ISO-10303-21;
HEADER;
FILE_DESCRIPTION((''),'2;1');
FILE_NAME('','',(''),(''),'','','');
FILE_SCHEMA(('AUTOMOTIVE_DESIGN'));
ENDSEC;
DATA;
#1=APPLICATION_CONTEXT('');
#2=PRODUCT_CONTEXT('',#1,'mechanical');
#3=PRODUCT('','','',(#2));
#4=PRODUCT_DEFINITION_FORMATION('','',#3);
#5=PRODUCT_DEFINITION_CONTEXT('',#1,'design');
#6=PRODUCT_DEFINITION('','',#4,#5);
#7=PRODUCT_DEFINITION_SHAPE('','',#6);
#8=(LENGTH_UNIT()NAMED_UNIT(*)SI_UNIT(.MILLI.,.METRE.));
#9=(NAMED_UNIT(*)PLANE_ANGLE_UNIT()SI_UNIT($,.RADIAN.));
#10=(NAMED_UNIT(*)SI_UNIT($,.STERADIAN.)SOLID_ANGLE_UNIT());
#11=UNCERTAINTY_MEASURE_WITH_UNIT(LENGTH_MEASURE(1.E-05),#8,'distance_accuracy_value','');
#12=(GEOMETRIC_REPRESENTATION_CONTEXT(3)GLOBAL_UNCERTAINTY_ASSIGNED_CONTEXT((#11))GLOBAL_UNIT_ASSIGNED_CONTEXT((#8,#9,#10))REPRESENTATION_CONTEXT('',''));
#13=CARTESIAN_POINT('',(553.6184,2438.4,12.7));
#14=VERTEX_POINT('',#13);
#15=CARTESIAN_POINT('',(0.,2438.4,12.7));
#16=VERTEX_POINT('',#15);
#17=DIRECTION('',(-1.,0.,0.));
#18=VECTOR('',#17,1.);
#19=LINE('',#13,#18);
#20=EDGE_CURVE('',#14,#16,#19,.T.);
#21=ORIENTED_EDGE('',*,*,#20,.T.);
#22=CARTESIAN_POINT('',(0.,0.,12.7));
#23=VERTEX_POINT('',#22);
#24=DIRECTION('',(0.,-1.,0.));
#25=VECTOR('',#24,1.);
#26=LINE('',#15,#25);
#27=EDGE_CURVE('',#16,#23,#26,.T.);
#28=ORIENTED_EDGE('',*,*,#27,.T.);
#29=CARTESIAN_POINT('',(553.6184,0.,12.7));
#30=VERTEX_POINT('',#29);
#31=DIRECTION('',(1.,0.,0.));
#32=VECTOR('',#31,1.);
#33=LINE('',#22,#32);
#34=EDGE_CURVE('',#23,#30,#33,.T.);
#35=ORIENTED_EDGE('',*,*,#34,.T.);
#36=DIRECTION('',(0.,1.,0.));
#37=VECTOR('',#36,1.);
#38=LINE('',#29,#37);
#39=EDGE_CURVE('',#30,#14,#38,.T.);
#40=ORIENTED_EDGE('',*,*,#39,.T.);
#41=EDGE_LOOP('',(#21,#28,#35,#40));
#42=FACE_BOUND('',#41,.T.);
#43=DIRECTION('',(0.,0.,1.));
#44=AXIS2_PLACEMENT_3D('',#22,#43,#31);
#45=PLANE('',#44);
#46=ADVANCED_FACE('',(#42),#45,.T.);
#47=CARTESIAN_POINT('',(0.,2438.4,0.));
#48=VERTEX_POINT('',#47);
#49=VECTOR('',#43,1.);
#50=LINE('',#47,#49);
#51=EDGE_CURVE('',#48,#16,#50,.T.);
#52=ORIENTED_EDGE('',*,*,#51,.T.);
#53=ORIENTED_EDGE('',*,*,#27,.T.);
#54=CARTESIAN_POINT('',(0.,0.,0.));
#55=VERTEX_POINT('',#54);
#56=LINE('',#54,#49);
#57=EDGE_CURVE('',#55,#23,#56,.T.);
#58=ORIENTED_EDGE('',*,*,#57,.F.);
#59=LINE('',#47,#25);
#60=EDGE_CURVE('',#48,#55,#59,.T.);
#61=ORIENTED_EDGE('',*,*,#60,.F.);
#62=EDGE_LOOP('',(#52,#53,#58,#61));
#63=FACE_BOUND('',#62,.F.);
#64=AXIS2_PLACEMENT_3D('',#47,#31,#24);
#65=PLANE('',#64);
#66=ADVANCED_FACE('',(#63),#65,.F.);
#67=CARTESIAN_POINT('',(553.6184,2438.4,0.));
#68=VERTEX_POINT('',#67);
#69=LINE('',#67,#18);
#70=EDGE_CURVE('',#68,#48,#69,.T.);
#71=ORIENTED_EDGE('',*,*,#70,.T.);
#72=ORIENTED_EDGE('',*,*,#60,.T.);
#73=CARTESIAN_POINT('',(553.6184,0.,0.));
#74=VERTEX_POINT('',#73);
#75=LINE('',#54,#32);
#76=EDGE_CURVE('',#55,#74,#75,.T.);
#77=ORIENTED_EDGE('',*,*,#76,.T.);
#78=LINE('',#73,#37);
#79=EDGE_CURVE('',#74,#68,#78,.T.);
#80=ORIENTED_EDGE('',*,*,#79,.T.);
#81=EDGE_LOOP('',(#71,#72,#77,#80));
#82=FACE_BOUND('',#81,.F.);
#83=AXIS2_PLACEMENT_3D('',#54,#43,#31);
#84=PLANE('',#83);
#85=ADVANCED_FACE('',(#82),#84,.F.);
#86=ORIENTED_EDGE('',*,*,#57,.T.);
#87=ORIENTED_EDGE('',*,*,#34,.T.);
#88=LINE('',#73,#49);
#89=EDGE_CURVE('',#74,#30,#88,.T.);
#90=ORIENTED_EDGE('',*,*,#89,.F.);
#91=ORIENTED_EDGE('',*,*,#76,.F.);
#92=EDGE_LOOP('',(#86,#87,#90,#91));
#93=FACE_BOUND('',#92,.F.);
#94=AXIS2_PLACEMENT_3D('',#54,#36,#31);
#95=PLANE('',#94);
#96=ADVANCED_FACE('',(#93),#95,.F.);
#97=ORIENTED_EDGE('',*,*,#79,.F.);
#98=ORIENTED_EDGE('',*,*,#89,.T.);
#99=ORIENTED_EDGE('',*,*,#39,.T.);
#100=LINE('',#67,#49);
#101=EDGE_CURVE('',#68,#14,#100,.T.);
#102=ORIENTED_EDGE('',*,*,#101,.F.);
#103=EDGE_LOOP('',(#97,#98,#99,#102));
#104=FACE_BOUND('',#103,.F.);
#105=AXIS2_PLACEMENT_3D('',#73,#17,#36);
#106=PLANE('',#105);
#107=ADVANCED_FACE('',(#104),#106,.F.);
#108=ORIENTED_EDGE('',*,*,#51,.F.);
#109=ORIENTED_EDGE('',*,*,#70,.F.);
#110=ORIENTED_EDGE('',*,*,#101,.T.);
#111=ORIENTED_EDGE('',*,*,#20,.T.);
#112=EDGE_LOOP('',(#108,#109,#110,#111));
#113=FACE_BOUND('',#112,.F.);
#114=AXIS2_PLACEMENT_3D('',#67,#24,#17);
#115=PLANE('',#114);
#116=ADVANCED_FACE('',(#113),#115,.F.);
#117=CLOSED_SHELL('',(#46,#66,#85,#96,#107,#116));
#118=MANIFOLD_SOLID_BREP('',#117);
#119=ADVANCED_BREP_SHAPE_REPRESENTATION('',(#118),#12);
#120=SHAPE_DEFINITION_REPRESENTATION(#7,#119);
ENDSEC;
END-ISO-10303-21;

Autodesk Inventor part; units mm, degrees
ref_plane "YZ Plane" through (0, 0, 0) normal (1, 0, 0) x (0, 1, 0)
ref_plane "XZ Plane" through (0, 0, 0) normal (0, 1, 0) x (-1, 0, 0)
ref_plane "XY Plane" through (0, 0, 0) normal (0, 0, 1) x (1, 0, 0)
sketch "Sketch1" plane through (0, 0, 0) normal (0, 0, 1) x (1, 0, 0)
  line L0 (0, 0) -> (553.6184, 0)
  line L1 (553.6184, 0) -> (553.6184, 2438.4)
  line L2 (553.6184, 2438.4) -> (0, 2438.4)
  line L3 (0, 2438.4) -> (0, 0)
  dimension "d2" = 2438.4
  dimension "d3" = 553.6184
extrude "Extrusion1" add sketch "Sketch1" along normal blind 12.7
properties part number "OSB_For_Walls_With_Dimensions_20.604_x_96_Inches" material "Wood (Birch)"
